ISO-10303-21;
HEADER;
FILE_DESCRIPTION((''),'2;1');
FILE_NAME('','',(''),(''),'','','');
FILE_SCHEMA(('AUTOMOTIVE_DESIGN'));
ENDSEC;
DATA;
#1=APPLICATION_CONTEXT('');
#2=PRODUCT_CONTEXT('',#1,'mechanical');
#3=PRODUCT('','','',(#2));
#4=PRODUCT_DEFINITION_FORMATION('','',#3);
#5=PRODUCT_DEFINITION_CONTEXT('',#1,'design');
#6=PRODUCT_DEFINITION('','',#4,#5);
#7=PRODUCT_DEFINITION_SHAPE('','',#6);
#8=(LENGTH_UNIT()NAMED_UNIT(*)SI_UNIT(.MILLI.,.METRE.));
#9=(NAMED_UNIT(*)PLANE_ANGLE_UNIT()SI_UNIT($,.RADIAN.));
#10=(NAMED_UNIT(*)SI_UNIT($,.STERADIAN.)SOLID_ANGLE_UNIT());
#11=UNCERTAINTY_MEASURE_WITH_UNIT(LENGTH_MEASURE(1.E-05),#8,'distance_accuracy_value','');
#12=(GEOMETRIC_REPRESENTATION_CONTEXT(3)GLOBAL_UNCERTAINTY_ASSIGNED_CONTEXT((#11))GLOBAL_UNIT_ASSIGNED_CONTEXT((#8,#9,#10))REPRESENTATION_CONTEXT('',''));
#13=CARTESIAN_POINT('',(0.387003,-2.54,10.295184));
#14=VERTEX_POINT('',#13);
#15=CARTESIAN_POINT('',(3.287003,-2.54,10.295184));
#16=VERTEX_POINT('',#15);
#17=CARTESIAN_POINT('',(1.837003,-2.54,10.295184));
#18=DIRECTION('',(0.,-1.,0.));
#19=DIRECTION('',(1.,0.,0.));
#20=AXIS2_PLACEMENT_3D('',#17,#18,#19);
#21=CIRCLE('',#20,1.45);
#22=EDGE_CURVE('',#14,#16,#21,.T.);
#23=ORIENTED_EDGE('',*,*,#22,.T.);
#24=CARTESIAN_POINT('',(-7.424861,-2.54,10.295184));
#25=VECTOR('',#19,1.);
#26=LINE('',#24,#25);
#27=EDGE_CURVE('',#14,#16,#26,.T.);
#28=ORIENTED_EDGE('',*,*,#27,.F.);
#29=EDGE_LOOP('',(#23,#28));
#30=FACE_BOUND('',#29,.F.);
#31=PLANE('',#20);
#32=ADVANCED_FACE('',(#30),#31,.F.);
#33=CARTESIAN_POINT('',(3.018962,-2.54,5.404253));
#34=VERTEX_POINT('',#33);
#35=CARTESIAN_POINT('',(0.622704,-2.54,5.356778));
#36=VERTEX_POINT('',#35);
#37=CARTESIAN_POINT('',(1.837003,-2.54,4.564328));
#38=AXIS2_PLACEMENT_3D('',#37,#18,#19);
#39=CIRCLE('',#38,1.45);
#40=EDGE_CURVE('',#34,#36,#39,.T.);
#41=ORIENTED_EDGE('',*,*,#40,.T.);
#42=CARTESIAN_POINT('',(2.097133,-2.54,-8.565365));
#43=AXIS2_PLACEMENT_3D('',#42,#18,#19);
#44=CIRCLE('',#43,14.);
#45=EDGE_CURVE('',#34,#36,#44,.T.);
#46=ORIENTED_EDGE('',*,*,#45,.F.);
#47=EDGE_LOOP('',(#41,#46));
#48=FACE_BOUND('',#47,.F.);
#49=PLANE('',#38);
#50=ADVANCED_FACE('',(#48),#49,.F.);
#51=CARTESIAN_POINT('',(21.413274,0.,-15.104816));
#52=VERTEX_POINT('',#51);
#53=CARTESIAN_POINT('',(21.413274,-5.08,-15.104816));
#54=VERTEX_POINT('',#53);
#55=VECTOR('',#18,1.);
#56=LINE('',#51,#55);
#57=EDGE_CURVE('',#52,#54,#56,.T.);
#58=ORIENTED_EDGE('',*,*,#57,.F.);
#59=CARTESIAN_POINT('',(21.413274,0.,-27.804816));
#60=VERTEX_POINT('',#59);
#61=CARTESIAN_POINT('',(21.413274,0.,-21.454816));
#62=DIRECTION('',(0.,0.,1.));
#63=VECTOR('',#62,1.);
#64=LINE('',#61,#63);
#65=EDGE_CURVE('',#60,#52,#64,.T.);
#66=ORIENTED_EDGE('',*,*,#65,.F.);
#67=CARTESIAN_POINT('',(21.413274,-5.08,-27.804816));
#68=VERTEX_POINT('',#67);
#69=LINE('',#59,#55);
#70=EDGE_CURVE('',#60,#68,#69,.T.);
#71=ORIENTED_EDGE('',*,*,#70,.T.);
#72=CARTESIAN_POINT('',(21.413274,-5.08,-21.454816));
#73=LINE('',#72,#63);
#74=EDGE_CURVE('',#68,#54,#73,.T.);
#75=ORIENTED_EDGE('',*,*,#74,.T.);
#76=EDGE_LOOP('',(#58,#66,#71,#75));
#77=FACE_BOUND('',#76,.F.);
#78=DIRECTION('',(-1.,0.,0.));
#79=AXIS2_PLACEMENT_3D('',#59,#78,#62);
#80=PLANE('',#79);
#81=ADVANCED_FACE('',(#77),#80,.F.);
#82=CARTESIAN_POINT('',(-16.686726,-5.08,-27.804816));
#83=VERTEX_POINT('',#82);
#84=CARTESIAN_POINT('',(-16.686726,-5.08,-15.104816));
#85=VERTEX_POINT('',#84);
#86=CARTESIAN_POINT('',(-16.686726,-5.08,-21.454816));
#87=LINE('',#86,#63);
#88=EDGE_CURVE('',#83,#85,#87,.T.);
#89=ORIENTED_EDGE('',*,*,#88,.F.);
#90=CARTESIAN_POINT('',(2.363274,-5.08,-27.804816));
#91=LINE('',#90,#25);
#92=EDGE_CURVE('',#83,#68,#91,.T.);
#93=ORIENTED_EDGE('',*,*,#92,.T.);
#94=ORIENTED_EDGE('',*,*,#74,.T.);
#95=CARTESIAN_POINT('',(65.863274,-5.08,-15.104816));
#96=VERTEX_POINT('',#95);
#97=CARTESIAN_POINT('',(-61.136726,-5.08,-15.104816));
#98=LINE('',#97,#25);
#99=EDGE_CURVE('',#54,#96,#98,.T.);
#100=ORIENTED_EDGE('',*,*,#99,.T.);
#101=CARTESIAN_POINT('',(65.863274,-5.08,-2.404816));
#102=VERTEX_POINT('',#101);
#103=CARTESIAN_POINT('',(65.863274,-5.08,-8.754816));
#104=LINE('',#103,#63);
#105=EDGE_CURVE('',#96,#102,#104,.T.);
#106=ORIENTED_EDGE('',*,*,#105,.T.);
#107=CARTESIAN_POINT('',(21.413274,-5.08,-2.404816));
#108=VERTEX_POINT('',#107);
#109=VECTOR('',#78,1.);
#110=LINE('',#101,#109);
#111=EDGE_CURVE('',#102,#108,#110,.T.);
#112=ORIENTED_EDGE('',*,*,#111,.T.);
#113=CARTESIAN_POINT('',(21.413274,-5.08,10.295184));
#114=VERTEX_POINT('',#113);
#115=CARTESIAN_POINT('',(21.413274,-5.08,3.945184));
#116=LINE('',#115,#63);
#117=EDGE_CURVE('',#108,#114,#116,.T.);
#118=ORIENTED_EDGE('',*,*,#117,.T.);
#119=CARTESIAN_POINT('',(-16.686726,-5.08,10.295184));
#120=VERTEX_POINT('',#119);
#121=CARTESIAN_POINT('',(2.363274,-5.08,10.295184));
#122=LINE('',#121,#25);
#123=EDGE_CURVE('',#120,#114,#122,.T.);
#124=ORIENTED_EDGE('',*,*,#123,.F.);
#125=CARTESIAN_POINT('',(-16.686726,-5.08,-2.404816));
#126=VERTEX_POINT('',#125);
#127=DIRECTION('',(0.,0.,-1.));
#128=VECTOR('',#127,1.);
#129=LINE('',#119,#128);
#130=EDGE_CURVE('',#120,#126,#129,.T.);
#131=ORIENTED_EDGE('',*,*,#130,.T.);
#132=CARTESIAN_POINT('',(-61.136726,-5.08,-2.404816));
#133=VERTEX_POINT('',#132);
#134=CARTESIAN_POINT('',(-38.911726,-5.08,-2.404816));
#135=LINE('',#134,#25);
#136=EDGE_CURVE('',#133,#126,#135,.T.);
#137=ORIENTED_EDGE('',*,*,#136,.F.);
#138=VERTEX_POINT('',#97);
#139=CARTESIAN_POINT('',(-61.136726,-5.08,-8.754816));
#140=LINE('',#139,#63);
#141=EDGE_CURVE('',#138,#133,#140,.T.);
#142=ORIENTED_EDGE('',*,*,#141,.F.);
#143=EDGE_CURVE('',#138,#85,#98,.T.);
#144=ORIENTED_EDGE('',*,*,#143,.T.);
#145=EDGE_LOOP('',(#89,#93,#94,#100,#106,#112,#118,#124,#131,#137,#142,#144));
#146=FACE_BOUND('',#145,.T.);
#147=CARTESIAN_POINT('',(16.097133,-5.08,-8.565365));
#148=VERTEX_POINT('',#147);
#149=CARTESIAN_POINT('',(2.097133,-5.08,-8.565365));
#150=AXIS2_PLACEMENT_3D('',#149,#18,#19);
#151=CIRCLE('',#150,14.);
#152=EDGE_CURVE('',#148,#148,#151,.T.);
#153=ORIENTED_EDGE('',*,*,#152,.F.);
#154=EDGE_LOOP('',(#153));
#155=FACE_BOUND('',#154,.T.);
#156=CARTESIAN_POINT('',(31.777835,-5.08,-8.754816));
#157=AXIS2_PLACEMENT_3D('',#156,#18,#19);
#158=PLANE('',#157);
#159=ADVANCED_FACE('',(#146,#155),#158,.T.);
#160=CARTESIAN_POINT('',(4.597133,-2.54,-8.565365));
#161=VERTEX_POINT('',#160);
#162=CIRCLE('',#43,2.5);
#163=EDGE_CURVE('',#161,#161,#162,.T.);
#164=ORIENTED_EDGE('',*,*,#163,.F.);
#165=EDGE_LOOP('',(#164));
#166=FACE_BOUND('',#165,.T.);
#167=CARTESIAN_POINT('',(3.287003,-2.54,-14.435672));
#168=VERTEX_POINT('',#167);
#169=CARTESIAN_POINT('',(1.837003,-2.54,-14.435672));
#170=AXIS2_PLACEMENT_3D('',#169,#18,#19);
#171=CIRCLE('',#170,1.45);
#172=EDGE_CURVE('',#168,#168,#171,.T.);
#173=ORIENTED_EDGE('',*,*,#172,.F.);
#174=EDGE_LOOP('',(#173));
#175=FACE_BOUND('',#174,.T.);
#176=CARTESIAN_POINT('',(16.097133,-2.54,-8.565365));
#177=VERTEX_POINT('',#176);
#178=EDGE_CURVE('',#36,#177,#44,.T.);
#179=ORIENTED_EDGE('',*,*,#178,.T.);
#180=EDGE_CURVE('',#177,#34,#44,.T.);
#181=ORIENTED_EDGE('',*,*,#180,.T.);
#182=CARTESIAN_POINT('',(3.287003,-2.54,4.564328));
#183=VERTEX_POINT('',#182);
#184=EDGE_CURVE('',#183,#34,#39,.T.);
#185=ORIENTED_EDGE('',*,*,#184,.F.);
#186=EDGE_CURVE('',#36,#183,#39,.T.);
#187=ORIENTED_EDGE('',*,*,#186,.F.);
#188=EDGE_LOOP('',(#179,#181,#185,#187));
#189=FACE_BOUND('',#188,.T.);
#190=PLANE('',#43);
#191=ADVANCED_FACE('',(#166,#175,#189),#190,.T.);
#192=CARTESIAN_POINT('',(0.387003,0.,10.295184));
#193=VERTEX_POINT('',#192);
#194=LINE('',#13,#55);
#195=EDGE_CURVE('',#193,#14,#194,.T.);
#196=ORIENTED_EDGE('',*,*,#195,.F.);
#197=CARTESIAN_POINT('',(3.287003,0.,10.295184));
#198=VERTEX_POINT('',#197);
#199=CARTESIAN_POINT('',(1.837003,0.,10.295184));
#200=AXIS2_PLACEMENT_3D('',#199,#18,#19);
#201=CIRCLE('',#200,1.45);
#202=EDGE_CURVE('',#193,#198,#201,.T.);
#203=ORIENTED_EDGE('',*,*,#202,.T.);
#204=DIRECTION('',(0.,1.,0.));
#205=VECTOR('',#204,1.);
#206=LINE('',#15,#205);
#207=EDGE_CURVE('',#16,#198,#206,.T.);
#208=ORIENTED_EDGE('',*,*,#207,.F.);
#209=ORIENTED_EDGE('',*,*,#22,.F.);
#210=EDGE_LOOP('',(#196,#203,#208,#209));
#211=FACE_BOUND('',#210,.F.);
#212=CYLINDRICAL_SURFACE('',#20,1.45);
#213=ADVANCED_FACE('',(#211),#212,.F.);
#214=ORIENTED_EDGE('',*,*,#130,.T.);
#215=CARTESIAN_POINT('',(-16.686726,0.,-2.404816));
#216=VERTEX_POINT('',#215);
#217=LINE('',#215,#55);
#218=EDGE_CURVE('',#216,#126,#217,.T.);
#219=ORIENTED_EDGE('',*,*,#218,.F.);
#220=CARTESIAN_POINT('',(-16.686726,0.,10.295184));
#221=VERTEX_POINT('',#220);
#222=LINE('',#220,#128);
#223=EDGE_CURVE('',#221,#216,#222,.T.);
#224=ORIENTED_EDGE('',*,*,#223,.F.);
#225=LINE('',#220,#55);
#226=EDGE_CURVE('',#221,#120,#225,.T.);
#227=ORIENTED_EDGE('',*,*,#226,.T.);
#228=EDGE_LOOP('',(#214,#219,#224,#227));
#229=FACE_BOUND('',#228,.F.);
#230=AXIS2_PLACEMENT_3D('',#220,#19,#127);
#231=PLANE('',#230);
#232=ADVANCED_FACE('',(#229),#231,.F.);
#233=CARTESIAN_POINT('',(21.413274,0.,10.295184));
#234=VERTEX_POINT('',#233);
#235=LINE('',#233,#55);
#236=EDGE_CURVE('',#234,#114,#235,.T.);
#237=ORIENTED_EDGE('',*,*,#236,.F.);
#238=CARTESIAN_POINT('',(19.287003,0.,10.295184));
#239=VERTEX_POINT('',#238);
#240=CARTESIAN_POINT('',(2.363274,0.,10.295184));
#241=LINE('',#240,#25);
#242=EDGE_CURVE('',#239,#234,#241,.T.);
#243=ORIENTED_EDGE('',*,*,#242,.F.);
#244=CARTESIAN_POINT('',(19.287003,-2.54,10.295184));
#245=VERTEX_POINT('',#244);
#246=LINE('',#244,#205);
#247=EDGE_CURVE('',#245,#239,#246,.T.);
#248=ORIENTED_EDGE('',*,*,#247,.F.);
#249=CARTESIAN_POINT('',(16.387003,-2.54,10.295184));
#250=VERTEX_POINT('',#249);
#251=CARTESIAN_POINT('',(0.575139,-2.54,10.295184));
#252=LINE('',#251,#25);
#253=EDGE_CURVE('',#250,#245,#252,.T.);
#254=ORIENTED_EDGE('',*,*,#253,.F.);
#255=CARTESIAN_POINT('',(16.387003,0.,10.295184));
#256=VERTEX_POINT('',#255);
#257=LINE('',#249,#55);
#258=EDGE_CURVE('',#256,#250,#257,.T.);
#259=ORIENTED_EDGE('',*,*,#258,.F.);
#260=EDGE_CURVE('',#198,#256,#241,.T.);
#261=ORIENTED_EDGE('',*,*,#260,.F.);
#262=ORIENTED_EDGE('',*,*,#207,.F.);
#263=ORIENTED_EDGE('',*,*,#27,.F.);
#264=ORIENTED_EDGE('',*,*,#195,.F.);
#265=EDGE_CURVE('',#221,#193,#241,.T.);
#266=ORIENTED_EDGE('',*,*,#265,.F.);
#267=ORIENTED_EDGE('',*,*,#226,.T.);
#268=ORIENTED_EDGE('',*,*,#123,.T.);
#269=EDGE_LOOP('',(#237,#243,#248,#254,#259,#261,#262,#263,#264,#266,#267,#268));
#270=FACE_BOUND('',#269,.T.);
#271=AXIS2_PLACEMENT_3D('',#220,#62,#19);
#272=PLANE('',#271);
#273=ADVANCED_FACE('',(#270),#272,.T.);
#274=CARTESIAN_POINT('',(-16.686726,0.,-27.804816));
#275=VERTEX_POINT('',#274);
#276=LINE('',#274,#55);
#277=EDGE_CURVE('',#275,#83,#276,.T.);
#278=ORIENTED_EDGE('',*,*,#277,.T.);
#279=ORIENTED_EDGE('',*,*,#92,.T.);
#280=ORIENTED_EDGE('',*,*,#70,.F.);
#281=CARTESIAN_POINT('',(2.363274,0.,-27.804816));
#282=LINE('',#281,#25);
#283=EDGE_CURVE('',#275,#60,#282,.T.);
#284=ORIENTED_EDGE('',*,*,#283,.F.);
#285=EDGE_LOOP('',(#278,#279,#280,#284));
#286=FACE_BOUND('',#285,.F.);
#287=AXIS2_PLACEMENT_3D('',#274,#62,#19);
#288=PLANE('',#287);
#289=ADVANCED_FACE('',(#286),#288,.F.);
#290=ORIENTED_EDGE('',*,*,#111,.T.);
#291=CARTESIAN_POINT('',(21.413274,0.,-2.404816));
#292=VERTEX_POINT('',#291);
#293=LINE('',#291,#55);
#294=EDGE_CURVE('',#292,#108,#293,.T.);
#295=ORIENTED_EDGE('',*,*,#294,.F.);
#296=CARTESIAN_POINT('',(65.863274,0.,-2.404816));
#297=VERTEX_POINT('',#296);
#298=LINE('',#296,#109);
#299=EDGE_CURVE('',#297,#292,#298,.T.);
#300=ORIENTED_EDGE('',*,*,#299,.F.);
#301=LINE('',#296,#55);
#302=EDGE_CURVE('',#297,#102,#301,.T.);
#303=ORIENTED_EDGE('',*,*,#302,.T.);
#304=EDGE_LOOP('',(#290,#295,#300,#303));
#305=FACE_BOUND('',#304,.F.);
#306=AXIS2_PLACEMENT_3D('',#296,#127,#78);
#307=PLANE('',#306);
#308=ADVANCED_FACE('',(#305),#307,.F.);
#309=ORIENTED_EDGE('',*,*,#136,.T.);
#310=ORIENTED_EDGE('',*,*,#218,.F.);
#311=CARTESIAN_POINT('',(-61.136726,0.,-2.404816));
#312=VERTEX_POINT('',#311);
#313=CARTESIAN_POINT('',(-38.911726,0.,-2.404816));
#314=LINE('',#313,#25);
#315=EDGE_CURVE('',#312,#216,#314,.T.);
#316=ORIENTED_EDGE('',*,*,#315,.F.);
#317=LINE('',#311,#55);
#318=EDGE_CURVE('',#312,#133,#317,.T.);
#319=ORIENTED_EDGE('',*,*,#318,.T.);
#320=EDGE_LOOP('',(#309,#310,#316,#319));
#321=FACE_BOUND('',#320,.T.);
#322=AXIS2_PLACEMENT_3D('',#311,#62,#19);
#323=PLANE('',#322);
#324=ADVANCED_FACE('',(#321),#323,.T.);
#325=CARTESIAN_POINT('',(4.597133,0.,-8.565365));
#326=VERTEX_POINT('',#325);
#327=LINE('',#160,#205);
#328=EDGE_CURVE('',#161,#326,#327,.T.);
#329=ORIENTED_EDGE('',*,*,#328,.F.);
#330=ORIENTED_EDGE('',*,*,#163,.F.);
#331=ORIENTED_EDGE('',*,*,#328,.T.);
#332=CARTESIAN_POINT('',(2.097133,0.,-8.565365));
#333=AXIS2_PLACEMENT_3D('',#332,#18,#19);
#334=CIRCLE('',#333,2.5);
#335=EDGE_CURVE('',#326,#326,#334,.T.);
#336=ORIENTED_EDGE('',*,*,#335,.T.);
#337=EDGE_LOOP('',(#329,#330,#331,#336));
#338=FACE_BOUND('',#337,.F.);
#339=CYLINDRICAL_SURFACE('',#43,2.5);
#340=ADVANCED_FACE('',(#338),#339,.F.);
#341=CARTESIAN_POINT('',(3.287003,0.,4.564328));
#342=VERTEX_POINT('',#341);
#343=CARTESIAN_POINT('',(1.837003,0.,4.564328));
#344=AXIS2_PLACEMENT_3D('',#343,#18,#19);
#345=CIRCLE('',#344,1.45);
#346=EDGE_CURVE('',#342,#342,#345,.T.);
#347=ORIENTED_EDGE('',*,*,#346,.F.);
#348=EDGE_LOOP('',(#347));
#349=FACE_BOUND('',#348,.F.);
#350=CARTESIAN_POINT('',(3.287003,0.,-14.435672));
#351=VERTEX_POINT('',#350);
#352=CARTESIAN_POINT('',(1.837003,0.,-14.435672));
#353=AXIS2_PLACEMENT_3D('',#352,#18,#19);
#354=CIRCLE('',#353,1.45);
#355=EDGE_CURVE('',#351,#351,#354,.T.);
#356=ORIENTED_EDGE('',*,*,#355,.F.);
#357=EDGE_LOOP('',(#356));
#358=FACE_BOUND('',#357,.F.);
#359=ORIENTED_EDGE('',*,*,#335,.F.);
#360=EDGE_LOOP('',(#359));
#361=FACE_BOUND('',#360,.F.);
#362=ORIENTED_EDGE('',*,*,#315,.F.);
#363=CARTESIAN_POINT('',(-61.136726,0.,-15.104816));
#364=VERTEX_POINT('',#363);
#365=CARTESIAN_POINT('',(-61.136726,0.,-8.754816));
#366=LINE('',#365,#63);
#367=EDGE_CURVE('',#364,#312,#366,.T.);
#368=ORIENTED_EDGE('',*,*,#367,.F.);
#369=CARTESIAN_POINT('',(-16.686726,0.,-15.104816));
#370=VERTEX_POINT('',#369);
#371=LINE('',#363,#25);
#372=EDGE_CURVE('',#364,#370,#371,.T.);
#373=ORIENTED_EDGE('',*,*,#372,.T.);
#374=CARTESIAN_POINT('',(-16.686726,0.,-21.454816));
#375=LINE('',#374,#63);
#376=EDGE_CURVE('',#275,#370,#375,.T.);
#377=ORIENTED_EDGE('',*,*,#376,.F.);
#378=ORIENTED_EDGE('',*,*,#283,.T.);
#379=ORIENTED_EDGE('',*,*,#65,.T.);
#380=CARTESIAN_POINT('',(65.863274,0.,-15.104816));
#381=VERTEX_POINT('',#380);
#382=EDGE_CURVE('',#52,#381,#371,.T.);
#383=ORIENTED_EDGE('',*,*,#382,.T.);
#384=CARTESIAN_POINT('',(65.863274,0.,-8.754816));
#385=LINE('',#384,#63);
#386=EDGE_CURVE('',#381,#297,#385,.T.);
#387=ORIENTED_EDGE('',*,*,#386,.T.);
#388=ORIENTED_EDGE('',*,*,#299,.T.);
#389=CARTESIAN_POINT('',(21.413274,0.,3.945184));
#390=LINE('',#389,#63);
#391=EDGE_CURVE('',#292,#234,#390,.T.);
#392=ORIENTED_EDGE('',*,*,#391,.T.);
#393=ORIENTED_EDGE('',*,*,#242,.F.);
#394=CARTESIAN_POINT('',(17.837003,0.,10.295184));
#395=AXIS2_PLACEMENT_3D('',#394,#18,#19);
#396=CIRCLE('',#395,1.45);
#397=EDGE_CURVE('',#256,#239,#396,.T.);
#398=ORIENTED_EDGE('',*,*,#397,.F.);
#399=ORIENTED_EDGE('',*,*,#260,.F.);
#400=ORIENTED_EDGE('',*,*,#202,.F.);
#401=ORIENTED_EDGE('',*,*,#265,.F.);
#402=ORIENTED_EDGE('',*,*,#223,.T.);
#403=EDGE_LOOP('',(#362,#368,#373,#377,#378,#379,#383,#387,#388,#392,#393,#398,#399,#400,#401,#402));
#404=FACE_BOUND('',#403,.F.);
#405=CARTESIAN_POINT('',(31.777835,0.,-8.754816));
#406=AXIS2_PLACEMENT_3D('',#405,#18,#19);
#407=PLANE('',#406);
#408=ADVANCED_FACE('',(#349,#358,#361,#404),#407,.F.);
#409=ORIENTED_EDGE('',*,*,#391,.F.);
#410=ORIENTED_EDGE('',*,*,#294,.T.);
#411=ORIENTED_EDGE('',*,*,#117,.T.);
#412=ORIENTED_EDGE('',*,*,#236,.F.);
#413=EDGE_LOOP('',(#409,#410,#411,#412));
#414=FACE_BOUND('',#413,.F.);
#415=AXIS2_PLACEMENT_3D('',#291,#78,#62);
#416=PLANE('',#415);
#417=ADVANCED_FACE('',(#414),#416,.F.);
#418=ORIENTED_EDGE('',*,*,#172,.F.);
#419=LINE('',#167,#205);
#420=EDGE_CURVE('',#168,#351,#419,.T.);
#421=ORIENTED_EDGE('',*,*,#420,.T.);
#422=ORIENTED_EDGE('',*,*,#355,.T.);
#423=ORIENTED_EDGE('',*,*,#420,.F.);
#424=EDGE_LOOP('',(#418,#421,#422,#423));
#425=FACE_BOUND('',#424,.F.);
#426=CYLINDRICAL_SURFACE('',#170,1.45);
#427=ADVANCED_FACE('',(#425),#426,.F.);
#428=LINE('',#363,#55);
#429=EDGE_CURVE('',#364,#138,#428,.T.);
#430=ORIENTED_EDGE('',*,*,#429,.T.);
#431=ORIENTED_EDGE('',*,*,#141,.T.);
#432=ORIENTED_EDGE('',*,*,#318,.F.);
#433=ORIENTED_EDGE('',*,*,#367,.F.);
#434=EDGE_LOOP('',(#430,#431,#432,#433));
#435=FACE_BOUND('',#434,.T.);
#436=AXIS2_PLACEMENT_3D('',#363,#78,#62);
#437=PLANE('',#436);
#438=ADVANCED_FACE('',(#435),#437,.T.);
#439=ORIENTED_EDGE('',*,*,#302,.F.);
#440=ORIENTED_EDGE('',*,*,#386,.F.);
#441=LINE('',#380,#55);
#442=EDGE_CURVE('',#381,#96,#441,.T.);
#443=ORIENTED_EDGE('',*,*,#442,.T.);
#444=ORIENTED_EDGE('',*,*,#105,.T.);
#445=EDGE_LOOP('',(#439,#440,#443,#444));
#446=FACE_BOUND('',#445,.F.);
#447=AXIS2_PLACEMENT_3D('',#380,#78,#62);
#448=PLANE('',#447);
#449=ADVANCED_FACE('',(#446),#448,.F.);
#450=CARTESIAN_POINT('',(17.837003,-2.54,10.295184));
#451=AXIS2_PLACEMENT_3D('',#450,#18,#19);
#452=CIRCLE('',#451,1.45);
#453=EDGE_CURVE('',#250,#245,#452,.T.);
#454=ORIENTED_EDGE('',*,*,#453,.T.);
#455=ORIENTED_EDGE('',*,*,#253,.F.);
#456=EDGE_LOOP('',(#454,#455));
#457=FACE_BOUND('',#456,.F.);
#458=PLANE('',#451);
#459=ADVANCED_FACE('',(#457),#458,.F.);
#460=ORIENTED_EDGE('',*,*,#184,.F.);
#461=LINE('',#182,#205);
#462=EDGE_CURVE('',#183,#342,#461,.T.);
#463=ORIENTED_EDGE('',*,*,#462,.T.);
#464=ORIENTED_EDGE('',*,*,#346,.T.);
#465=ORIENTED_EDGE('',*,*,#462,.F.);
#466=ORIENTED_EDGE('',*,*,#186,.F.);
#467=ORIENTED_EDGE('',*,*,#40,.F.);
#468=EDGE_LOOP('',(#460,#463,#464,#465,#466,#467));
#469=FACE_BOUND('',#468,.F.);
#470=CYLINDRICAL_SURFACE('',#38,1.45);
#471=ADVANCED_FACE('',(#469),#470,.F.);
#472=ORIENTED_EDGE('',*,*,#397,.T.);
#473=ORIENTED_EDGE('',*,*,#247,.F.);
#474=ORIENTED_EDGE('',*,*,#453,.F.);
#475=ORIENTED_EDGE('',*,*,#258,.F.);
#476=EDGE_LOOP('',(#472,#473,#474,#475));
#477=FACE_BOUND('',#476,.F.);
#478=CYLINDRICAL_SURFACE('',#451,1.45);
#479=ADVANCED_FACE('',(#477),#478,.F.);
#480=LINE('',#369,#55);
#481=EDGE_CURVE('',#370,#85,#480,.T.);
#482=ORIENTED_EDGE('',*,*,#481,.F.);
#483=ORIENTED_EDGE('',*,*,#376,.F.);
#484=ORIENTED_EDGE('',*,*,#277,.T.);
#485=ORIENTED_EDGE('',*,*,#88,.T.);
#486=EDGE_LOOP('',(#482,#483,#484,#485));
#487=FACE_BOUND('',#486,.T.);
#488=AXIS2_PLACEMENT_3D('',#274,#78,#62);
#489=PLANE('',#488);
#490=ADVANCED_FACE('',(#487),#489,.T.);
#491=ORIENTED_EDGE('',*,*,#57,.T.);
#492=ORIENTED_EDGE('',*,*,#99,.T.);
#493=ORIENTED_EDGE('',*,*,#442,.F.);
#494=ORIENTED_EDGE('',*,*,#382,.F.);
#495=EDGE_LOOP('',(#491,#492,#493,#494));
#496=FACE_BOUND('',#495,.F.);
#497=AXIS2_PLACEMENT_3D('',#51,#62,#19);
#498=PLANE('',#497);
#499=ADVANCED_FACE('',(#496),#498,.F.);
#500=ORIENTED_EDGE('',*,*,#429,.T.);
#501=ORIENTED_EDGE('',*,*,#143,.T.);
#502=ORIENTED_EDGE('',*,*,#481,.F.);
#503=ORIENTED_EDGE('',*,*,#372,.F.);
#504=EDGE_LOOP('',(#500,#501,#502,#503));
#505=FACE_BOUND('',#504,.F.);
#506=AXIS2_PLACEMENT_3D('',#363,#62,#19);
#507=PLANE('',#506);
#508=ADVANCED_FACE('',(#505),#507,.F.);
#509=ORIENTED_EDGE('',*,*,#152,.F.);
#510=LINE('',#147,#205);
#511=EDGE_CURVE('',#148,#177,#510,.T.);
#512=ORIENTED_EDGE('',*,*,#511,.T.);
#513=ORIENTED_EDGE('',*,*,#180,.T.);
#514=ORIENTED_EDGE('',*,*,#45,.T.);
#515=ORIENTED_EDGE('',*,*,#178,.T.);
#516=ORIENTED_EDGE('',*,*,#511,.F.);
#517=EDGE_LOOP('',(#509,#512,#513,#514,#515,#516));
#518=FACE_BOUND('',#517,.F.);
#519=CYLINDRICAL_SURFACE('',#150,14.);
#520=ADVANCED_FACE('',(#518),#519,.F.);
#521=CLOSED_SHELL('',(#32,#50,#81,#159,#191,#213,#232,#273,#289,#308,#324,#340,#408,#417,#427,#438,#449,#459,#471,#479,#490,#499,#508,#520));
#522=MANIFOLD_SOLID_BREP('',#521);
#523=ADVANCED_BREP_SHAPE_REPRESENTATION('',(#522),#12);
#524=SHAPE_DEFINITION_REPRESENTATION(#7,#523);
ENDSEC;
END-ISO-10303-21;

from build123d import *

# Parameters (mm, degrees)
F0_W     = 20.729122051
F0_H     = 12.7
F0_W_2   = 12.7
F0_W_3   = 11.020877949
F0_W_4   = 38.1
F0_W_5   = 44.45
F1_DEPTH = 5.08
F2_R     = 14
F3_DEPTH = 2.54
F4_R     = 1.45
F4_R_2   = 2.5
F5_DEPTH = 25.4


with BuildPart() as f1:
    # F0 (on Front) → F1 (new body)
    with BuildSketch(Plane.XZ):
        with Locations((31.7778353898, -8.7548155423)):
            Rectangle(F0_W, F0_H)
        with Locations((48.4923964153, -8.7548155423)):
            Rectangle(F0_W_2, F0_H)
        with Locations((60.3528353898, -8.7548155423)):
            Rectangle(F0_W_3, F0_H)
        with Locations((2.3632743643, -8.7548155423)):
            Rectangle(F0_W_4, F0_H)
        with Locations((2.3632743643, 3.9451844577)):
            Rectangle(F0_W_4, F0_H)
        with Locations((-38.9117256357, -8.7548155423)):
            Rectangle(F0_W_5, F0_H)
        with Locations((2.3632743643, -21.4548155423)):
            Rectangle(F0_W_4, F0_H)
    extrude(amount=F1_DEPTH)

    # F2 (on face) → F3 (cut)
    with BuildSketch(Plane.XZ.offset(5.08)):
        with Locations((2.0971329576, -8.5653651081)):
            Circle(F2_R)
    extrude(amount=-F3_DEPTH, mode=Mode.SUBTRACT)

    # F4 (on face) → F5 (cut)
    with BuildSketch(Plane.XZ.offset(2.54)):
        with Locations((17.8370033559, 10.2951844577)):
            Circle(F4_R)
        with Locations((1.8370033559, 10.2951844577)):
            Circle(F4_R)
        with Locations((1.8370033559, -14.4356723465)):
            Circle(F4_R)
        with Locations((1.8370033559, 4.5643276535)):
            Circle(F4_R)
        with Locations((2.0971329576, -8.5653651081)):
            Circle(F4_R_2)
    extrude(amount=-F5_DEPTH, mode=Mode.SUBTRACT)


solid = f1.part
